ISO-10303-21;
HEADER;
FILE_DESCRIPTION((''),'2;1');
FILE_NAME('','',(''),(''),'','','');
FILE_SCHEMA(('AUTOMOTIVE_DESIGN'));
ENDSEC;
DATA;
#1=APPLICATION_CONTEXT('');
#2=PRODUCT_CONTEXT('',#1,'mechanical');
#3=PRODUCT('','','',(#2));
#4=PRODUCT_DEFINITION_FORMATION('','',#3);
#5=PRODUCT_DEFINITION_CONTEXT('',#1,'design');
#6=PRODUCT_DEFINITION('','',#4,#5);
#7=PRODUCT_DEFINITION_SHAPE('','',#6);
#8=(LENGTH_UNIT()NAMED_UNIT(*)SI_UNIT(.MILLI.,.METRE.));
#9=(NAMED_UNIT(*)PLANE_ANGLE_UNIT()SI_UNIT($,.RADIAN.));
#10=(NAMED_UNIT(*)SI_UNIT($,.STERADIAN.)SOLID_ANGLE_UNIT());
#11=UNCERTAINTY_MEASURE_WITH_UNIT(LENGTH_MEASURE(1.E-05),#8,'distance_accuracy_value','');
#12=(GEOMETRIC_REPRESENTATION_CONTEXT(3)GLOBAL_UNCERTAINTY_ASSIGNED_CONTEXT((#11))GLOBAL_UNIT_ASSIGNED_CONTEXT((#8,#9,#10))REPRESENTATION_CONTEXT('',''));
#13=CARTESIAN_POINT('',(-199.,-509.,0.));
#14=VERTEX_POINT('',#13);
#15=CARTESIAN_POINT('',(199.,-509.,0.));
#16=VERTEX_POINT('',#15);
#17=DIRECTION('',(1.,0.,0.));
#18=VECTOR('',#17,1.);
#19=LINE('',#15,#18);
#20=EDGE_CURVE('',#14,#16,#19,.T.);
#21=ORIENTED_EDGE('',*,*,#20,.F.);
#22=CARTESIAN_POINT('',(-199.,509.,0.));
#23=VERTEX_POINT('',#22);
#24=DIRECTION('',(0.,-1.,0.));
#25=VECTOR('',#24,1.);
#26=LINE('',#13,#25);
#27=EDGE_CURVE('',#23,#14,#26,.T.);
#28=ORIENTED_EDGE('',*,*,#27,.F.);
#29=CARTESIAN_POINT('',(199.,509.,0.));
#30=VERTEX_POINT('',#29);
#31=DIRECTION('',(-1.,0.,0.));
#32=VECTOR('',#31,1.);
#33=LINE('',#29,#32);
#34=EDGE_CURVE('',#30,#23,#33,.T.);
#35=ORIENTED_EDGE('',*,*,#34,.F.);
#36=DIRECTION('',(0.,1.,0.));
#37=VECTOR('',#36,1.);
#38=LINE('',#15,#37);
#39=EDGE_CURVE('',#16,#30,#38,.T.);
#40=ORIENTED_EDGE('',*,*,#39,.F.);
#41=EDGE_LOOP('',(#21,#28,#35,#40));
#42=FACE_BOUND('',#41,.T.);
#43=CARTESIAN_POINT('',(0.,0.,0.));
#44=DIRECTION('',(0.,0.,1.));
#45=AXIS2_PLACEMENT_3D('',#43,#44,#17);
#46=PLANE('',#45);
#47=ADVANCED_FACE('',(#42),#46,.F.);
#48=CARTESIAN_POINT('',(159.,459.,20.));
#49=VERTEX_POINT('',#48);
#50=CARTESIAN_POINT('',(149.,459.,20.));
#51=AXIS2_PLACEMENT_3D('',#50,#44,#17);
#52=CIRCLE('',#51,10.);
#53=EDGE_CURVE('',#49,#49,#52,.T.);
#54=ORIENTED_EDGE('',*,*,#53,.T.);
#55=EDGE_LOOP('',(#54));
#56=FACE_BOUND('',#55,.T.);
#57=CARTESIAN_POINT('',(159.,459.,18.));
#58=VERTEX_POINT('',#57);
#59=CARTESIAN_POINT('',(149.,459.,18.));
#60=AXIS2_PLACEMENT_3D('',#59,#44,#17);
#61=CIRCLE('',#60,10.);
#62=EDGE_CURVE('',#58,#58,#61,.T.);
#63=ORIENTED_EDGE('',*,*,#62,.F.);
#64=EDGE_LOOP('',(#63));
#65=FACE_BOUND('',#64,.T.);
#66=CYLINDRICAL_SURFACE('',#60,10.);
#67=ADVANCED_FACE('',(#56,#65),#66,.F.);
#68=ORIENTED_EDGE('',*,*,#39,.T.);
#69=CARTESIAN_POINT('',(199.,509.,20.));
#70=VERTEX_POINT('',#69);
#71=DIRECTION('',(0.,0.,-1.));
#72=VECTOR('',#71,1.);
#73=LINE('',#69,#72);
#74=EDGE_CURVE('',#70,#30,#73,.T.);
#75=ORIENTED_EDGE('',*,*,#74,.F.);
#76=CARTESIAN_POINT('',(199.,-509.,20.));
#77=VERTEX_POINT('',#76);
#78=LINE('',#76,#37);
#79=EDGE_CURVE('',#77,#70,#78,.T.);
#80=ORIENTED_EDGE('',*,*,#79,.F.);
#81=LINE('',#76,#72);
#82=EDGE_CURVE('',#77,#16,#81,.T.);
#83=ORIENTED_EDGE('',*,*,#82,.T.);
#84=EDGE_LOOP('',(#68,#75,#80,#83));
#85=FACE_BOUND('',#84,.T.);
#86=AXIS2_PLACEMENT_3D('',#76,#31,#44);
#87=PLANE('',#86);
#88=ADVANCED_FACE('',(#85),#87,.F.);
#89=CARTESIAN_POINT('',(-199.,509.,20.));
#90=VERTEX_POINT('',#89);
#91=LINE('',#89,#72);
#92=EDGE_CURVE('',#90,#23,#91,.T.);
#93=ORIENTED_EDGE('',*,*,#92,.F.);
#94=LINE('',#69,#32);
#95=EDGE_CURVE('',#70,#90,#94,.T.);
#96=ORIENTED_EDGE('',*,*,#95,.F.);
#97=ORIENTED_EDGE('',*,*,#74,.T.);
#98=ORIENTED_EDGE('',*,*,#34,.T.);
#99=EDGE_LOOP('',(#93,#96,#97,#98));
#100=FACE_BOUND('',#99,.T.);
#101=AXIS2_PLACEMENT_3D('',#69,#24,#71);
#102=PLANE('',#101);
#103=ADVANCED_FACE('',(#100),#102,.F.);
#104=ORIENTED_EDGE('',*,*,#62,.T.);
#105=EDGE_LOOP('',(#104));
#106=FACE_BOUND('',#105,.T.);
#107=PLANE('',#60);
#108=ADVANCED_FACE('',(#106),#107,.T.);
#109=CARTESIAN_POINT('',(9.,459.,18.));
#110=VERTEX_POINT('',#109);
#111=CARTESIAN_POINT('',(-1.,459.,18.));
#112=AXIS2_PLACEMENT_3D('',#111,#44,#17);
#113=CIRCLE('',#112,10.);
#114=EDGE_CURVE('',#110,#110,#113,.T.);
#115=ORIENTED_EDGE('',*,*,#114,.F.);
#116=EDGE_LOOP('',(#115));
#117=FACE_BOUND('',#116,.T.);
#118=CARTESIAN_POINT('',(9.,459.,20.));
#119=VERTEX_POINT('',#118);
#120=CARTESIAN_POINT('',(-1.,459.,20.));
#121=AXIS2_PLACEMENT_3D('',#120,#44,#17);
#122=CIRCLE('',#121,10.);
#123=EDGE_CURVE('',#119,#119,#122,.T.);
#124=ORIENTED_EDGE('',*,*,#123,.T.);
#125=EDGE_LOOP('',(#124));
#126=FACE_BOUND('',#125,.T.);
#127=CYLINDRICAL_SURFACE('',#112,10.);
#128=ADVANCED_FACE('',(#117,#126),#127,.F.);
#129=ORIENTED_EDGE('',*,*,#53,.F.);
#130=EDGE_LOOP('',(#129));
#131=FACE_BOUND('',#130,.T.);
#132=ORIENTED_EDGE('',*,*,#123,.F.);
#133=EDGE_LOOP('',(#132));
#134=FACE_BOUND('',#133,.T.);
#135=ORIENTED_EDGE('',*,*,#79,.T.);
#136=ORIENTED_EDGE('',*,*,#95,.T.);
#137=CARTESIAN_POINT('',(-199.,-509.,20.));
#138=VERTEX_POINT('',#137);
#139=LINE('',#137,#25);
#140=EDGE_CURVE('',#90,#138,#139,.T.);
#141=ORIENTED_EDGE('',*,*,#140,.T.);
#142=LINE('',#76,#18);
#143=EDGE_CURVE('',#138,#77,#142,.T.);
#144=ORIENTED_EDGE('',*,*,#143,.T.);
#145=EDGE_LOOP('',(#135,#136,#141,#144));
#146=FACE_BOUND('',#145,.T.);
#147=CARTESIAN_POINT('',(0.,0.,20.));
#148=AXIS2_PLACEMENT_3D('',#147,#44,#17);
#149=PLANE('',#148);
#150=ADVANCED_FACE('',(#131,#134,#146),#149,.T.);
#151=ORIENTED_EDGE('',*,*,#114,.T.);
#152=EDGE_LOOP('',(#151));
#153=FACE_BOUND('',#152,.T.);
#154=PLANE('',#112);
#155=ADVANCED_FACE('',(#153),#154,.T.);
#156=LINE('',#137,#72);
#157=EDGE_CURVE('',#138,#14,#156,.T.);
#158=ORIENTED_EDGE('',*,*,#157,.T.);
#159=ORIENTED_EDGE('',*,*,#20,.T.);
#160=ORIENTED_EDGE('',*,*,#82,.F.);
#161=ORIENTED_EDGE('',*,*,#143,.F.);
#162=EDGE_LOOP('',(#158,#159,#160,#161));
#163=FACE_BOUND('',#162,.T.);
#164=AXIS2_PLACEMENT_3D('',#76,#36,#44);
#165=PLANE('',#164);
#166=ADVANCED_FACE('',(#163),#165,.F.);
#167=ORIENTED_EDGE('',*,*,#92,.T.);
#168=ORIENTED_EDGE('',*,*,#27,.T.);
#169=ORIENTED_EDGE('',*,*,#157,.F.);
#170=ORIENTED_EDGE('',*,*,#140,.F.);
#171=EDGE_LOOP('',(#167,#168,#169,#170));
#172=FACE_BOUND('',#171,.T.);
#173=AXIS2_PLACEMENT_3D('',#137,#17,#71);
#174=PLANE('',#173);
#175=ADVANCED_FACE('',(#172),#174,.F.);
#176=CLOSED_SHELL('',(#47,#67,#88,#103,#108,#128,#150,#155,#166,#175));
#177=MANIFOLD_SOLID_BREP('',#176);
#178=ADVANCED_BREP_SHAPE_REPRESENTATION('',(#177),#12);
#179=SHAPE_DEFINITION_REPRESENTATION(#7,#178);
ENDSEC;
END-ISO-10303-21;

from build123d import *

# Parameters (mm, degrees)
SKETCH1_W           = 398
SKETCH1_H           = 1018
BOSS_EXTRUDE1_DEPTH = 20
SKETCH2_R           = 10
CUT_EXTRUDE1_DEPTH  = 2


with BuildPart() as part:
    # Sketch1 → Boss-Extrude1 (new body)
    with BuildSketch(Plane.XY):
        Rectangle(SKETCH1_W, SKETCH1_H)
    extrude(amount=BOSS_EXTRUDE1_DEPTH)

    # Sketch2 → Cut-Extrude1 (cut)
    with BuildSketch(Plane.XY.offset(20)):
        with Locations((149, 459)):
            Circle(SKETCH2_R)
        with Locations((-1, 459)):
            Circle(SKETCH2_R)
    extrude(amount=-CUT_EXTRUDE1_DEPTH, mode=Mode.SUBTRACT)


solid = part.part
